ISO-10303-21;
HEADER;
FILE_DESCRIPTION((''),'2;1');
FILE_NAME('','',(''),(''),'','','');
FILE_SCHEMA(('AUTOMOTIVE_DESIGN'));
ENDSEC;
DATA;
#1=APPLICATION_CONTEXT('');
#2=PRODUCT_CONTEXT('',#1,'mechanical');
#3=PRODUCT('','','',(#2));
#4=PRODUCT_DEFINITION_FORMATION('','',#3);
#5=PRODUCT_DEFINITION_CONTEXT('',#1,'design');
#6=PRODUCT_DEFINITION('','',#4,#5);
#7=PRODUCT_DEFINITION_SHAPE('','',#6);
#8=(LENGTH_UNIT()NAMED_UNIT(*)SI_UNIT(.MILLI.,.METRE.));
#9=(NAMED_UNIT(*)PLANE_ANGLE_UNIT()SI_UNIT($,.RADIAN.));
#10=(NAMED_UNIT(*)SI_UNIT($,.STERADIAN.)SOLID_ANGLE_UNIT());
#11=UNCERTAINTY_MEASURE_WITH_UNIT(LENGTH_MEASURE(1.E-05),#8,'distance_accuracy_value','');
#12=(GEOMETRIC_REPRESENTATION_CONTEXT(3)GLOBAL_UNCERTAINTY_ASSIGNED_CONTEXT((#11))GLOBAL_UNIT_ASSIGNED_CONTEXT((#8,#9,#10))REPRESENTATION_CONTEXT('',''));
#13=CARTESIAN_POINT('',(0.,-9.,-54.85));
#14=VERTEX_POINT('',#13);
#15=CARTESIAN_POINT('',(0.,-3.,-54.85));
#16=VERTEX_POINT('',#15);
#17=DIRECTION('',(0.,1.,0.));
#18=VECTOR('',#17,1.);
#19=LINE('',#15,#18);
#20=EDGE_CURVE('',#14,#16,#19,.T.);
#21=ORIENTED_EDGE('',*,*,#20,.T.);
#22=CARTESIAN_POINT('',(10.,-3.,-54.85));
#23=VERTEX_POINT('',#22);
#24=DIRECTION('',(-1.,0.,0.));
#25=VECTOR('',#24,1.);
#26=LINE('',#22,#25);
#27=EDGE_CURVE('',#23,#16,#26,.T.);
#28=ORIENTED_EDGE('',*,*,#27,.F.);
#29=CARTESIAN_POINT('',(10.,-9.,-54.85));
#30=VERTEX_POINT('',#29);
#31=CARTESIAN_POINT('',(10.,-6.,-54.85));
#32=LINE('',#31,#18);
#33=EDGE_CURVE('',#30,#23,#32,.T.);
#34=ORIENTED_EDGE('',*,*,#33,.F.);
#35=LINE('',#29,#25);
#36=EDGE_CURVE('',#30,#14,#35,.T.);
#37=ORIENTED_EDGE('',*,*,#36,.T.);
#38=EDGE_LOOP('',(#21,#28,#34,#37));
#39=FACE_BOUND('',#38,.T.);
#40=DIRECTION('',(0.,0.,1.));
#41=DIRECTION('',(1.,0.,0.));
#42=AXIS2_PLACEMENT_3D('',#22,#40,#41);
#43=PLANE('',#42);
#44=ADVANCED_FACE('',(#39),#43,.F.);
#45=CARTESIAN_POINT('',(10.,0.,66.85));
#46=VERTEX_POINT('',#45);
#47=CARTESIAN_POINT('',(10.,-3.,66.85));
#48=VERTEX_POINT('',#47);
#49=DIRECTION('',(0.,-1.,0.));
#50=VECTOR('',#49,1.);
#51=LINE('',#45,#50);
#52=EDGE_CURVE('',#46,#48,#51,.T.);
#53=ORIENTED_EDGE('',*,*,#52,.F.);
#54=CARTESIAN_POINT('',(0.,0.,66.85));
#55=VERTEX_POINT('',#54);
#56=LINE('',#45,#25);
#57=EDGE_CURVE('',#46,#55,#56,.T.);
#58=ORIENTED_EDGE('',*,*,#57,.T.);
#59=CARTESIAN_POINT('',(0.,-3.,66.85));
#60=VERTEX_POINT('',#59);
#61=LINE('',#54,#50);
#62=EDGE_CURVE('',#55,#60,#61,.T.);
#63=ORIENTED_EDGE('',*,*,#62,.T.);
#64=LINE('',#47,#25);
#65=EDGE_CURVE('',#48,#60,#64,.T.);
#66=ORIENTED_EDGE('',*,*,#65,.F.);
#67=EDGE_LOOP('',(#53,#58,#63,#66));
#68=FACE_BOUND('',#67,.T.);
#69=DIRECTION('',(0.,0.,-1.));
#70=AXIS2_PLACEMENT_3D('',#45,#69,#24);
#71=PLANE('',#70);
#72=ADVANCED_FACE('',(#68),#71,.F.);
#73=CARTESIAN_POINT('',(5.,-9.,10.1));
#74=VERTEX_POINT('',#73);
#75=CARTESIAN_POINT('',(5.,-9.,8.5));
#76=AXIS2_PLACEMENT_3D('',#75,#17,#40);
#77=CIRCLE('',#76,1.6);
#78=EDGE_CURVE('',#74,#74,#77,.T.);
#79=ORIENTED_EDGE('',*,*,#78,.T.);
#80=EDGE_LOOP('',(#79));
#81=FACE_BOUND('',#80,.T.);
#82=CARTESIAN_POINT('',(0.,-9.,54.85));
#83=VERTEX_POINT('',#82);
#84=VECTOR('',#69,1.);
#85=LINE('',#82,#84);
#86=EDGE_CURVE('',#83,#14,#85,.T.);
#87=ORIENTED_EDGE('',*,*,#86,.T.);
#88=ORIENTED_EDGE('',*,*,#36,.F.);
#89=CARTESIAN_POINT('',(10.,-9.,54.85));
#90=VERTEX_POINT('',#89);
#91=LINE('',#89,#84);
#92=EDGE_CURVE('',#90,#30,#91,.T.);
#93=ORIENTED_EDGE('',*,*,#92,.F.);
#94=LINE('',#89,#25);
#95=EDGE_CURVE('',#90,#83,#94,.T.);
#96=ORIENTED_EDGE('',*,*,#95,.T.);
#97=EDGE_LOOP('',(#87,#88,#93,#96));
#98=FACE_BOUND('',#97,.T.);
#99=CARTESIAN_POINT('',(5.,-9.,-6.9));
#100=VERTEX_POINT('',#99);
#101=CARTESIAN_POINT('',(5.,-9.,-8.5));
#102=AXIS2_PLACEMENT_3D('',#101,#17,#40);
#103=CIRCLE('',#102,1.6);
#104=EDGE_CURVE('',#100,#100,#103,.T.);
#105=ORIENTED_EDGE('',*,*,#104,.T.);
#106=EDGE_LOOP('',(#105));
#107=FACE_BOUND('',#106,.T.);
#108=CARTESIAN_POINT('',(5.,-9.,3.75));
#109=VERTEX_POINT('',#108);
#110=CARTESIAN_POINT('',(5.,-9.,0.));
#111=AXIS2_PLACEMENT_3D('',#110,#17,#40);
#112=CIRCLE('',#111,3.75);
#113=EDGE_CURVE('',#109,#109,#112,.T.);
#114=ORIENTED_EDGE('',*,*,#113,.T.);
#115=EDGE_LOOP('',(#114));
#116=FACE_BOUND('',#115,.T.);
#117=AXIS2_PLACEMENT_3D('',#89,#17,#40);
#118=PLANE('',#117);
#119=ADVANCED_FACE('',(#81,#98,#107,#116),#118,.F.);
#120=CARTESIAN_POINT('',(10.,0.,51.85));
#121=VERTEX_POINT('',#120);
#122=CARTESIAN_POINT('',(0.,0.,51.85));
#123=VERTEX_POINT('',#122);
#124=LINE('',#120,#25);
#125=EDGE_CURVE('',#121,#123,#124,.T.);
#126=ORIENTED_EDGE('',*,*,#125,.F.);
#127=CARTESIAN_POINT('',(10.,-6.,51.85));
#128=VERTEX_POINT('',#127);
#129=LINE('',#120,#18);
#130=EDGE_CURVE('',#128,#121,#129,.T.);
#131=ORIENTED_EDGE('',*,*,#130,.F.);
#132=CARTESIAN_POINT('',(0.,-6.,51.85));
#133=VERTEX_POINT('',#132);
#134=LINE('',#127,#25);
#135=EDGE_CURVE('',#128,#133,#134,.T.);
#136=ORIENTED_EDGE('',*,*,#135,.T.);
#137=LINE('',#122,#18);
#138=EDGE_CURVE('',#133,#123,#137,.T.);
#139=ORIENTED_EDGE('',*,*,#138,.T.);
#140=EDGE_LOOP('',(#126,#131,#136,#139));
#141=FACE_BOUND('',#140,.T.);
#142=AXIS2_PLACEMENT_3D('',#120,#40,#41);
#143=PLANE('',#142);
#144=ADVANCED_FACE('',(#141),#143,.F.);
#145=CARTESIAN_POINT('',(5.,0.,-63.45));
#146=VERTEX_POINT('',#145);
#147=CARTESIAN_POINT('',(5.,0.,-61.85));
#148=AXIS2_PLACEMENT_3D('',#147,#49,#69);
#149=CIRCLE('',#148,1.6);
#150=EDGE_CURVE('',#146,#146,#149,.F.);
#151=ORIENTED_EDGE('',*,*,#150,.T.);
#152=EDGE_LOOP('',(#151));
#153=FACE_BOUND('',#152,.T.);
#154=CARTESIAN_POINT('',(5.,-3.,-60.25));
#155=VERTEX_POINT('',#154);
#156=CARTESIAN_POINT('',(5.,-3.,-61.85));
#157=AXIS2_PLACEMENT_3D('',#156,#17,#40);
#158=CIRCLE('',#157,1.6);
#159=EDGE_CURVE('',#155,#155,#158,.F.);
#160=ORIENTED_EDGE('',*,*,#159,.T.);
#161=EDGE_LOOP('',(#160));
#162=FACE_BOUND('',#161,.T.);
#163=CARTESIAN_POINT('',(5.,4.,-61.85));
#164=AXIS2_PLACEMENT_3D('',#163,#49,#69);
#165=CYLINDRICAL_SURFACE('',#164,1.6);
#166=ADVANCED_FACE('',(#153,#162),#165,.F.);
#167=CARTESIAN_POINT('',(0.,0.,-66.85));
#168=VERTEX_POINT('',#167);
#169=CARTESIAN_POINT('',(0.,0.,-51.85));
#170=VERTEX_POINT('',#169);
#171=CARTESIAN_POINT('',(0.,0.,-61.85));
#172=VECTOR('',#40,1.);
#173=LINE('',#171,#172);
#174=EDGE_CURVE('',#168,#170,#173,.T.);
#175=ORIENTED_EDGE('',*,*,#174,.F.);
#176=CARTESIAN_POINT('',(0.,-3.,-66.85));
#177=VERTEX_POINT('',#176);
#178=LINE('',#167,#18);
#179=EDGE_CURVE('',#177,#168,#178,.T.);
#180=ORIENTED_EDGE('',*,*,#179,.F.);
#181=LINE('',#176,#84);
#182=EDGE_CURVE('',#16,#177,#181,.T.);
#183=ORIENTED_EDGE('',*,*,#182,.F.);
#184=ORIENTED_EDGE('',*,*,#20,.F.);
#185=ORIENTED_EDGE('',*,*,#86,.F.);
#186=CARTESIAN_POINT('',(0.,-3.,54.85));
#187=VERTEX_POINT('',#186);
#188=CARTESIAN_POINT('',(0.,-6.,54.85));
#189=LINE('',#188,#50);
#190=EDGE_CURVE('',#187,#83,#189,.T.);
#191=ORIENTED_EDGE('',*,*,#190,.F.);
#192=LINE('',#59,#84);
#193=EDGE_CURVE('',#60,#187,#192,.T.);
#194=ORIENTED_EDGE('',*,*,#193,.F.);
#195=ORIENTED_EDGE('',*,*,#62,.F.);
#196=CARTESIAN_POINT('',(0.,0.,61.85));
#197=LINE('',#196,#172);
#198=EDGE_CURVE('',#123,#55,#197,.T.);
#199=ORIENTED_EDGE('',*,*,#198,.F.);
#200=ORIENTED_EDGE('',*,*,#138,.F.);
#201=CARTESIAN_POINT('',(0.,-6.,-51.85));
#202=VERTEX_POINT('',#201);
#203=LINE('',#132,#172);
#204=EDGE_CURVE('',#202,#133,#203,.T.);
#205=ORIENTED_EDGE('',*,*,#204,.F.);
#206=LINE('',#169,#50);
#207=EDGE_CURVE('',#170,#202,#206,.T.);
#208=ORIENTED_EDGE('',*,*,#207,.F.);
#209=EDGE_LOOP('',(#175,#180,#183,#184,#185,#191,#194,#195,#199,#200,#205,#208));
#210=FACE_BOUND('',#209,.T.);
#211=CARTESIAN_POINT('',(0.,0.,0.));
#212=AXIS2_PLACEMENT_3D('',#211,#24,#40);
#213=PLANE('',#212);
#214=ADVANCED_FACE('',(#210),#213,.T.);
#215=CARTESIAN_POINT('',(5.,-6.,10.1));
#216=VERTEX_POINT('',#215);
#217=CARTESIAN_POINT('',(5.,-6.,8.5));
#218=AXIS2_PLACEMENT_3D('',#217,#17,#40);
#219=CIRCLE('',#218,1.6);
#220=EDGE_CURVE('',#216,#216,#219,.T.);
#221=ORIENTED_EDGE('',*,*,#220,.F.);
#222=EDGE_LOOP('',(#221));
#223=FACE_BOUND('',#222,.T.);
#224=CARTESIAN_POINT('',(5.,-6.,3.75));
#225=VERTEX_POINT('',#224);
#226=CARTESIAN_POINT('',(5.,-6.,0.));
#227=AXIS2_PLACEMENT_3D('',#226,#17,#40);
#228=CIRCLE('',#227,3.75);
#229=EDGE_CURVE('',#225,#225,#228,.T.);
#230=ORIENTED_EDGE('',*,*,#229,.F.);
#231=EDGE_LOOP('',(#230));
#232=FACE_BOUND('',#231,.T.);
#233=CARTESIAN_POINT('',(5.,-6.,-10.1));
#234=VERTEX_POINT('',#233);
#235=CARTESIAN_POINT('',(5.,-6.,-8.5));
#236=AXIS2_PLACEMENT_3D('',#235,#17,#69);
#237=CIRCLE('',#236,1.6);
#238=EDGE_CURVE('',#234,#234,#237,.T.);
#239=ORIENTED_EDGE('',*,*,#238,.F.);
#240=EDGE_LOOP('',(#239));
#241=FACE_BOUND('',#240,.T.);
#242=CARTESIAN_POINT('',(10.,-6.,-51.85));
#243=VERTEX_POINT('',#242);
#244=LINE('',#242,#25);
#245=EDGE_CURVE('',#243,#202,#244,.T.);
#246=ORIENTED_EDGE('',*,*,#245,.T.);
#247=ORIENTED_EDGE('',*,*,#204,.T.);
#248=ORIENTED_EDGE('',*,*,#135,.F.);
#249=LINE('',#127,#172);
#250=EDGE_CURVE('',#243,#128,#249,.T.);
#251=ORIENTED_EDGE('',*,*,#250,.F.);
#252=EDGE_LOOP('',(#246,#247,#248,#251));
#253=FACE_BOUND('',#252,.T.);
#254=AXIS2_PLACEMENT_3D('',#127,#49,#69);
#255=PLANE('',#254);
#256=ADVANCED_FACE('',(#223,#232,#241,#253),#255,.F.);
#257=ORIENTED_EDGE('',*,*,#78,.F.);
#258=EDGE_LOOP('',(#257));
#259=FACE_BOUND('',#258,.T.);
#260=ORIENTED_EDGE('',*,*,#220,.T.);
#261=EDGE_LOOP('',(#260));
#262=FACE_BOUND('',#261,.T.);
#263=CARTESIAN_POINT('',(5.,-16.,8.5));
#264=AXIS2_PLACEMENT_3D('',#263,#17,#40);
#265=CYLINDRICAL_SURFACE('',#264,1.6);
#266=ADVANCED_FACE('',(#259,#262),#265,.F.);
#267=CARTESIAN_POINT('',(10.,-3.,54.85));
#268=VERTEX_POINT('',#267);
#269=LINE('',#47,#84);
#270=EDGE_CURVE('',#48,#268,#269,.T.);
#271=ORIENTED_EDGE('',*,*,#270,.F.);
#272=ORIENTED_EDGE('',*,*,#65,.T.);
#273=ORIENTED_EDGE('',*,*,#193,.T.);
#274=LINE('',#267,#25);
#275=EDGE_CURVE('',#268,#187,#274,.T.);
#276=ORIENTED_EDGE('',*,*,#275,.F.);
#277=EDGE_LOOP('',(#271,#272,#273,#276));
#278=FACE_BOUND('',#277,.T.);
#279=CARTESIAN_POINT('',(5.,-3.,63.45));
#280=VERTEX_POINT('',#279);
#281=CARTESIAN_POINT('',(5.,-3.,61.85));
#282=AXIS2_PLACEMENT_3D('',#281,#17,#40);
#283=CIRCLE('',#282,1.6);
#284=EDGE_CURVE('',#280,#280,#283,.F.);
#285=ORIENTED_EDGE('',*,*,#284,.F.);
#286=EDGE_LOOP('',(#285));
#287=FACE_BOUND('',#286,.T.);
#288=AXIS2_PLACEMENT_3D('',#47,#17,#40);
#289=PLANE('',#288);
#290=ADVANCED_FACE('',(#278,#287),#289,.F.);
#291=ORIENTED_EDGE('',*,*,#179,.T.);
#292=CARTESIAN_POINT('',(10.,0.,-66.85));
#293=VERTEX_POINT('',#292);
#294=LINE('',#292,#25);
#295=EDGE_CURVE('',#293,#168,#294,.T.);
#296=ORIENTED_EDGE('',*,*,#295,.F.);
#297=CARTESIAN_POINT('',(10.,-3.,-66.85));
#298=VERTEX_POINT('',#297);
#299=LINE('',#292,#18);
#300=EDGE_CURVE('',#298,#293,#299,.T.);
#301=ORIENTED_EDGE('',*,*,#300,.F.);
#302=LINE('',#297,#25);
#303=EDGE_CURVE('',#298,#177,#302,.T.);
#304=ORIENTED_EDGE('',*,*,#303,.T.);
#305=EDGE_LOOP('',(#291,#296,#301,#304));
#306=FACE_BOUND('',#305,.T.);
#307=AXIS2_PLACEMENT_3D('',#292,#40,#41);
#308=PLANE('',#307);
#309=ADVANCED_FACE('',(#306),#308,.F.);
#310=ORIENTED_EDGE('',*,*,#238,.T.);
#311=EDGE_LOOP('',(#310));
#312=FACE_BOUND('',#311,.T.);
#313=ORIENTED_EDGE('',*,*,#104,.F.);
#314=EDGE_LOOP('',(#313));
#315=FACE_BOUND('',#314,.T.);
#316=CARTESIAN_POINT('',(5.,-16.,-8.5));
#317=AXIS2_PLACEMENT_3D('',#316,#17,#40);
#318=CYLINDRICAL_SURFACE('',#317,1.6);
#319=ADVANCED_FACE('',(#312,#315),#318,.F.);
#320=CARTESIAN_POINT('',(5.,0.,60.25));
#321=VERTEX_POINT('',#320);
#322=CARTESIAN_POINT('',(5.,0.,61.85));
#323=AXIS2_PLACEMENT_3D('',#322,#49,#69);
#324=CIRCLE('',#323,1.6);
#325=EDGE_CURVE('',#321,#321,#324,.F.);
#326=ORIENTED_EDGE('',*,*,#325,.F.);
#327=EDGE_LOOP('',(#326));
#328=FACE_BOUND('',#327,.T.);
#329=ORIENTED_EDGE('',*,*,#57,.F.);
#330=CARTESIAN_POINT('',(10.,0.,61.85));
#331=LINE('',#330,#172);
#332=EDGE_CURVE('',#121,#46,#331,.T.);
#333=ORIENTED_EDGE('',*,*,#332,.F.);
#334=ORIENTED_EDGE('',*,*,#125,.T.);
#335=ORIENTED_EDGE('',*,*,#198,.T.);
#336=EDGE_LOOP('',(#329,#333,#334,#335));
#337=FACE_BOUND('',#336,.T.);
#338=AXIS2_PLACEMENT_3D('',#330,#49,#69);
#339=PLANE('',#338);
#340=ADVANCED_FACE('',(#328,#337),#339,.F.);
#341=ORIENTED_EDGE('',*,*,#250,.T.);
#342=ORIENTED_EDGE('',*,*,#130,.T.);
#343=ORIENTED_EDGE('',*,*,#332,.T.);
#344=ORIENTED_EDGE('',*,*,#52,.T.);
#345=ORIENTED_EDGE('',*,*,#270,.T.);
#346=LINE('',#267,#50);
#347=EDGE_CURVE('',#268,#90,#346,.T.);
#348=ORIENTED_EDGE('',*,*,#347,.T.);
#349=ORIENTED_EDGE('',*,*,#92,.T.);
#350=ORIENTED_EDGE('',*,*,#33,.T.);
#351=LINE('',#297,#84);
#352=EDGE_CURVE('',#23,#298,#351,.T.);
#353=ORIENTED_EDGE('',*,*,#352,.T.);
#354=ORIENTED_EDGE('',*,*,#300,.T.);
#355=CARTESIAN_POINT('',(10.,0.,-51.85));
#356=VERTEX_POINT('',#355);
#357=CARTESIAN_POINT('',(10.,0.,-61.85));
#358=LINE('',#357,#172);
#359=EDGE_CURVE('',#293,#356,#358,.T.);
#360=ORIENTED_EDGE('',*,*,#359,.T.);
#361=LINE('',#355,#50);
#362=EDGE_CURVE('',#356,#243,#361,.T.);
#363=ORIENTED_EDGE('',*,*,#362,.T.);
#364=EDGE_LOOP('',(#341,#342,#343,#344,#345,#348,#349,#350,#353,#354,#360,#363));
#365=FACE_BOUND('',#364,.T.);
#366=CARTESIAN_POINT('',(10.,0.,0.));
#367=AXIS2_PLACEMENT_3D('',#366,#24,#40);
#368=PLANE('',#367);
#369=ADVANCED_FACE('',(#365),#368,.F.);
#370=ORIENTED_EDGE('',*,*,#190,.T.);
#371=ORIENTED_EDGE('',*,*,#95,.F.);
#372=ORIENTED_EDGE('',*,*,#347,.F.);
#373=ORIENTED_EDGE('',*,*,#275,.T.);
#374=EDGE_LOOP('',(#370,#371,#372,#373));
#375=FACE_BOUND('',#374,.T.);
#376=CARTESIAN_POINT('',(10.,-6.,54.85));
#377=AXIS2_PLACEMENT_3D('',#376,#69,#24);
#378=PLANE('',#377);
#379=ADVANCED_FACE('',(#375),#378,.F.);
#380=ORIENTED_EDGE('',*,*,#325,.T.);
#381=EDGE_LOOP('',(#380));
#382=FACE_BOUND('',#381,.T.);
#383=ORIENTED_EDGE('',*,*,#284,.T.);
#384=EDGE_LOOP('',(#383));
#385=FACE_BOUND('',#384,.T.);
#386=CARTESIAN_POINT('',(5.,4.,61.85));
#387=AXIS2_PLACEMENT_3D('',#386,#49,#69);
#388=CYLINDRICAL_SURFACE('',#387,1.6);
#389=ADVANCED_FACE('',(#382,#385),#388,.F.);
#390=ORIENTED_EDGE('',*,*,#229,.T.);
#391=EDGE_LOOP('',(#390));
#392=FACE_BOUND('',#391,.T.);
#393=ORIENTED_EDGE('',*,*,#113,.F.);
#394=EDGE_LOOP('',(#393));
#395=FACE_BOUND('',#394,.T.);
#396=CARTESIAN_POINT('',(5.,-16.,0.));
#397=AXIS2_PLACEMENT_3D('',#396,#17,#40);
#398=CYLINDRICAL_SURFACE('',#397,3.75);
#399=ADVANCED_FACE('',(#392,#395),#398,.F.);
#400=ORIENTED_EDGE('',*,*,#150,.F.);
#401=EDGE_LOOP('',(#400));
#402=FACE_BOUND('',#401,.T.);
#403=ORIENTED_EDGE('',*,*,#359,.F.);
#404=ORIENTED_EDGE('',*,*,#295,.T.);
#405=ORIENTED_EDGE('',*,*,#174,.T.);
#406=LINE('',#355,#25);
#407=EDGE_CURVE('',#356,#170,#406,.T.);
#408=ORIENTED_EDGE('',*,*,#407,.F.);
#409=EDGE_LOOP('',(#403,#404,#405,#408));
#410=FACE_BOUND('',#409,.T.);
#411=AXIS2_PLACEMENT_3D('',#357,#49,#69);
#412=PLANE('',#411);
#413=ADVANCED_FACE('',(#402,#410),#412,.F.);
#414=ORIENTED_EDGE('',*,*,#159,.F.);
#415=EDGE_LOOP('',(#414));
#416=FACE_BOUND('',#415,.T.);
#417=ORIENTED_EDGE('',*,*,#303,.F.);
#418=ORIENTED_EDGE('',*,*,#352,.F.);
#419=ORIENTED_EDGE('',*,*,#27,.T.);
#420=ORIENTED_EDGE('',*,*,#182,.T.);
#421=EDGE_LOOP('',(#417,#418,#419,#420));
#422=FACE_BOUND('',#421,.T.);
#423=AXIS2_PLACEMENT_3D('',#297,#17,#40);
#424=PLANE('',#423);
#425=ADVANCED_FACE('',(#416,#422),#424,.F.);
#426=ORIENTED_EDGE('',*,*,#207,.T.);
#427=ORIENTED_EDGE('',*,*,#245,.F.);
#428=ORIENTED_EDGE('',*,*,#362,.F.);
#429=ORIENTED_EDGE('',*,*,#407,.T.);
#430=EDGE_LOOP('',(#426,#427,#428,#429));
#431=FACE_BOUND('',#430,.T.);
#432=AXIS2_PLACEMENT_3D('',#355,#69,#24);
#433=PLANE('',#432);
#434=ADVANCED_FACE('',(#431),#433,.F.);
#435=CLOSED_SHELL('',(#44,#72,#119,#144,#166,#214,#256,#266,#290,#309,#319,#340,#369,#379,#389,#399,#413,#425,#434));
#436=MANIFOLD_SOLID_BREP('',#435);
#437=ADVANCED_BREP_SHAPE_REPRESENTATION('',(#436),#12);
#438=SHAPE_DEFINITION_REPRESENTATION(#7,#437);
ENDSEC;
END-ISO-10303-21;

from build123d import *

# Parameters (mm, degrees)
SALIENTE_EXTRUIR1_DEPTH = 10
CROQUIS2_R              = 1.6
CORTAR_EXTRUIR1_DEPTH   = 10
CORTAR_EXTRUIR2_START   = 10
CROQUIS2_2_R            = 1.6
CORTAR_EXTRUIR2_DEPTH   = 10
CROQUIS3_R              = 3.75
CORTAR_EXTRUIR3_DEPTH   = 10


with BuildPart() as part:
    # Croquis1 → Saliente-Extruir1 (new body)
    with BuildSketch(Plane(origin=(0, 0, 0), x_dir=(0, 0, -1), z_dir=(1, 0, 0))):
        Polygon((-61.85, 0), (-66.85, 0), (-66.85, -3), (-54.85, -3), (-54.85, -6), (-54.85, -9), (54.85, -9), (54.85, -6), (54.85, -3), (66.85, -3), (66.85, 0), (61.85, 0), (51.85, 0), (51.85, -6), (-51.85, -6), (-51.85, 0), align=None)
    extrude(amount=SALIENTE_EXTRUIR1_DEPTH)

    # Croquis2 → Cortar-Extruir1 (cut)
    with BuildSketch(Plane(origin=(0, -6, 0), x_dir=(1, 0, 0), z_dir=(0, 1, 0))):
        with Locations((5, -61.85)):
            Circle(CROQUIS2_R)
        with Locations((5, 61.85)):
            Circle(CROQUIS2_R)
        with Locations((5, -8.5)):
            Circle(CROQUIS2_R)
        with Locations((5, 8.5)):
            Circle(CROQUIS2_R)
    extrude(amount=-CORTAR_EXTRUIR1_DEPTH, mode=Mode.SUBTRACT)

    # Croquis2<2> → Cortar-Extruir2 (cut)
    with BuildSketch(Plane(origin=(0, -6, 0), x_dir=(1, 0, 0), z_dir=(0, 1, 0)).offset(CORTAR_EXTRUIR2_START)):
        with Locations((5, -61.85)):
            Circle(CROQUIS2_2_R)
        with Locations((5, 61.85)):
            Circle(CROQUIS2_2_R)
        with Locations((5, -8.5)):
            Circle(CROQUIS2_2_R)
        with Locations((5, 8.5)):
            Circle(CROQUIS2_2_R)
    extrude(amount=-CORTAR_EXTRUIR2_DEPTH, mode=Mode.SUBTRACT)

    # Croquis3 → Cortar-Extruir3 (cut)
    with BuildSketch(Plane(origin=(0, -6, 0), x_dir=(1, 0, 0), z_dir=(0, 1, 0))):
        with Locations((5, 0)):
            Circle(CROQUIS3_R)
    extrude(amount=-CORTAR_EXTRUIR3_DEPTH, mode=Mode.SUBTRACT)


solid = part.part
